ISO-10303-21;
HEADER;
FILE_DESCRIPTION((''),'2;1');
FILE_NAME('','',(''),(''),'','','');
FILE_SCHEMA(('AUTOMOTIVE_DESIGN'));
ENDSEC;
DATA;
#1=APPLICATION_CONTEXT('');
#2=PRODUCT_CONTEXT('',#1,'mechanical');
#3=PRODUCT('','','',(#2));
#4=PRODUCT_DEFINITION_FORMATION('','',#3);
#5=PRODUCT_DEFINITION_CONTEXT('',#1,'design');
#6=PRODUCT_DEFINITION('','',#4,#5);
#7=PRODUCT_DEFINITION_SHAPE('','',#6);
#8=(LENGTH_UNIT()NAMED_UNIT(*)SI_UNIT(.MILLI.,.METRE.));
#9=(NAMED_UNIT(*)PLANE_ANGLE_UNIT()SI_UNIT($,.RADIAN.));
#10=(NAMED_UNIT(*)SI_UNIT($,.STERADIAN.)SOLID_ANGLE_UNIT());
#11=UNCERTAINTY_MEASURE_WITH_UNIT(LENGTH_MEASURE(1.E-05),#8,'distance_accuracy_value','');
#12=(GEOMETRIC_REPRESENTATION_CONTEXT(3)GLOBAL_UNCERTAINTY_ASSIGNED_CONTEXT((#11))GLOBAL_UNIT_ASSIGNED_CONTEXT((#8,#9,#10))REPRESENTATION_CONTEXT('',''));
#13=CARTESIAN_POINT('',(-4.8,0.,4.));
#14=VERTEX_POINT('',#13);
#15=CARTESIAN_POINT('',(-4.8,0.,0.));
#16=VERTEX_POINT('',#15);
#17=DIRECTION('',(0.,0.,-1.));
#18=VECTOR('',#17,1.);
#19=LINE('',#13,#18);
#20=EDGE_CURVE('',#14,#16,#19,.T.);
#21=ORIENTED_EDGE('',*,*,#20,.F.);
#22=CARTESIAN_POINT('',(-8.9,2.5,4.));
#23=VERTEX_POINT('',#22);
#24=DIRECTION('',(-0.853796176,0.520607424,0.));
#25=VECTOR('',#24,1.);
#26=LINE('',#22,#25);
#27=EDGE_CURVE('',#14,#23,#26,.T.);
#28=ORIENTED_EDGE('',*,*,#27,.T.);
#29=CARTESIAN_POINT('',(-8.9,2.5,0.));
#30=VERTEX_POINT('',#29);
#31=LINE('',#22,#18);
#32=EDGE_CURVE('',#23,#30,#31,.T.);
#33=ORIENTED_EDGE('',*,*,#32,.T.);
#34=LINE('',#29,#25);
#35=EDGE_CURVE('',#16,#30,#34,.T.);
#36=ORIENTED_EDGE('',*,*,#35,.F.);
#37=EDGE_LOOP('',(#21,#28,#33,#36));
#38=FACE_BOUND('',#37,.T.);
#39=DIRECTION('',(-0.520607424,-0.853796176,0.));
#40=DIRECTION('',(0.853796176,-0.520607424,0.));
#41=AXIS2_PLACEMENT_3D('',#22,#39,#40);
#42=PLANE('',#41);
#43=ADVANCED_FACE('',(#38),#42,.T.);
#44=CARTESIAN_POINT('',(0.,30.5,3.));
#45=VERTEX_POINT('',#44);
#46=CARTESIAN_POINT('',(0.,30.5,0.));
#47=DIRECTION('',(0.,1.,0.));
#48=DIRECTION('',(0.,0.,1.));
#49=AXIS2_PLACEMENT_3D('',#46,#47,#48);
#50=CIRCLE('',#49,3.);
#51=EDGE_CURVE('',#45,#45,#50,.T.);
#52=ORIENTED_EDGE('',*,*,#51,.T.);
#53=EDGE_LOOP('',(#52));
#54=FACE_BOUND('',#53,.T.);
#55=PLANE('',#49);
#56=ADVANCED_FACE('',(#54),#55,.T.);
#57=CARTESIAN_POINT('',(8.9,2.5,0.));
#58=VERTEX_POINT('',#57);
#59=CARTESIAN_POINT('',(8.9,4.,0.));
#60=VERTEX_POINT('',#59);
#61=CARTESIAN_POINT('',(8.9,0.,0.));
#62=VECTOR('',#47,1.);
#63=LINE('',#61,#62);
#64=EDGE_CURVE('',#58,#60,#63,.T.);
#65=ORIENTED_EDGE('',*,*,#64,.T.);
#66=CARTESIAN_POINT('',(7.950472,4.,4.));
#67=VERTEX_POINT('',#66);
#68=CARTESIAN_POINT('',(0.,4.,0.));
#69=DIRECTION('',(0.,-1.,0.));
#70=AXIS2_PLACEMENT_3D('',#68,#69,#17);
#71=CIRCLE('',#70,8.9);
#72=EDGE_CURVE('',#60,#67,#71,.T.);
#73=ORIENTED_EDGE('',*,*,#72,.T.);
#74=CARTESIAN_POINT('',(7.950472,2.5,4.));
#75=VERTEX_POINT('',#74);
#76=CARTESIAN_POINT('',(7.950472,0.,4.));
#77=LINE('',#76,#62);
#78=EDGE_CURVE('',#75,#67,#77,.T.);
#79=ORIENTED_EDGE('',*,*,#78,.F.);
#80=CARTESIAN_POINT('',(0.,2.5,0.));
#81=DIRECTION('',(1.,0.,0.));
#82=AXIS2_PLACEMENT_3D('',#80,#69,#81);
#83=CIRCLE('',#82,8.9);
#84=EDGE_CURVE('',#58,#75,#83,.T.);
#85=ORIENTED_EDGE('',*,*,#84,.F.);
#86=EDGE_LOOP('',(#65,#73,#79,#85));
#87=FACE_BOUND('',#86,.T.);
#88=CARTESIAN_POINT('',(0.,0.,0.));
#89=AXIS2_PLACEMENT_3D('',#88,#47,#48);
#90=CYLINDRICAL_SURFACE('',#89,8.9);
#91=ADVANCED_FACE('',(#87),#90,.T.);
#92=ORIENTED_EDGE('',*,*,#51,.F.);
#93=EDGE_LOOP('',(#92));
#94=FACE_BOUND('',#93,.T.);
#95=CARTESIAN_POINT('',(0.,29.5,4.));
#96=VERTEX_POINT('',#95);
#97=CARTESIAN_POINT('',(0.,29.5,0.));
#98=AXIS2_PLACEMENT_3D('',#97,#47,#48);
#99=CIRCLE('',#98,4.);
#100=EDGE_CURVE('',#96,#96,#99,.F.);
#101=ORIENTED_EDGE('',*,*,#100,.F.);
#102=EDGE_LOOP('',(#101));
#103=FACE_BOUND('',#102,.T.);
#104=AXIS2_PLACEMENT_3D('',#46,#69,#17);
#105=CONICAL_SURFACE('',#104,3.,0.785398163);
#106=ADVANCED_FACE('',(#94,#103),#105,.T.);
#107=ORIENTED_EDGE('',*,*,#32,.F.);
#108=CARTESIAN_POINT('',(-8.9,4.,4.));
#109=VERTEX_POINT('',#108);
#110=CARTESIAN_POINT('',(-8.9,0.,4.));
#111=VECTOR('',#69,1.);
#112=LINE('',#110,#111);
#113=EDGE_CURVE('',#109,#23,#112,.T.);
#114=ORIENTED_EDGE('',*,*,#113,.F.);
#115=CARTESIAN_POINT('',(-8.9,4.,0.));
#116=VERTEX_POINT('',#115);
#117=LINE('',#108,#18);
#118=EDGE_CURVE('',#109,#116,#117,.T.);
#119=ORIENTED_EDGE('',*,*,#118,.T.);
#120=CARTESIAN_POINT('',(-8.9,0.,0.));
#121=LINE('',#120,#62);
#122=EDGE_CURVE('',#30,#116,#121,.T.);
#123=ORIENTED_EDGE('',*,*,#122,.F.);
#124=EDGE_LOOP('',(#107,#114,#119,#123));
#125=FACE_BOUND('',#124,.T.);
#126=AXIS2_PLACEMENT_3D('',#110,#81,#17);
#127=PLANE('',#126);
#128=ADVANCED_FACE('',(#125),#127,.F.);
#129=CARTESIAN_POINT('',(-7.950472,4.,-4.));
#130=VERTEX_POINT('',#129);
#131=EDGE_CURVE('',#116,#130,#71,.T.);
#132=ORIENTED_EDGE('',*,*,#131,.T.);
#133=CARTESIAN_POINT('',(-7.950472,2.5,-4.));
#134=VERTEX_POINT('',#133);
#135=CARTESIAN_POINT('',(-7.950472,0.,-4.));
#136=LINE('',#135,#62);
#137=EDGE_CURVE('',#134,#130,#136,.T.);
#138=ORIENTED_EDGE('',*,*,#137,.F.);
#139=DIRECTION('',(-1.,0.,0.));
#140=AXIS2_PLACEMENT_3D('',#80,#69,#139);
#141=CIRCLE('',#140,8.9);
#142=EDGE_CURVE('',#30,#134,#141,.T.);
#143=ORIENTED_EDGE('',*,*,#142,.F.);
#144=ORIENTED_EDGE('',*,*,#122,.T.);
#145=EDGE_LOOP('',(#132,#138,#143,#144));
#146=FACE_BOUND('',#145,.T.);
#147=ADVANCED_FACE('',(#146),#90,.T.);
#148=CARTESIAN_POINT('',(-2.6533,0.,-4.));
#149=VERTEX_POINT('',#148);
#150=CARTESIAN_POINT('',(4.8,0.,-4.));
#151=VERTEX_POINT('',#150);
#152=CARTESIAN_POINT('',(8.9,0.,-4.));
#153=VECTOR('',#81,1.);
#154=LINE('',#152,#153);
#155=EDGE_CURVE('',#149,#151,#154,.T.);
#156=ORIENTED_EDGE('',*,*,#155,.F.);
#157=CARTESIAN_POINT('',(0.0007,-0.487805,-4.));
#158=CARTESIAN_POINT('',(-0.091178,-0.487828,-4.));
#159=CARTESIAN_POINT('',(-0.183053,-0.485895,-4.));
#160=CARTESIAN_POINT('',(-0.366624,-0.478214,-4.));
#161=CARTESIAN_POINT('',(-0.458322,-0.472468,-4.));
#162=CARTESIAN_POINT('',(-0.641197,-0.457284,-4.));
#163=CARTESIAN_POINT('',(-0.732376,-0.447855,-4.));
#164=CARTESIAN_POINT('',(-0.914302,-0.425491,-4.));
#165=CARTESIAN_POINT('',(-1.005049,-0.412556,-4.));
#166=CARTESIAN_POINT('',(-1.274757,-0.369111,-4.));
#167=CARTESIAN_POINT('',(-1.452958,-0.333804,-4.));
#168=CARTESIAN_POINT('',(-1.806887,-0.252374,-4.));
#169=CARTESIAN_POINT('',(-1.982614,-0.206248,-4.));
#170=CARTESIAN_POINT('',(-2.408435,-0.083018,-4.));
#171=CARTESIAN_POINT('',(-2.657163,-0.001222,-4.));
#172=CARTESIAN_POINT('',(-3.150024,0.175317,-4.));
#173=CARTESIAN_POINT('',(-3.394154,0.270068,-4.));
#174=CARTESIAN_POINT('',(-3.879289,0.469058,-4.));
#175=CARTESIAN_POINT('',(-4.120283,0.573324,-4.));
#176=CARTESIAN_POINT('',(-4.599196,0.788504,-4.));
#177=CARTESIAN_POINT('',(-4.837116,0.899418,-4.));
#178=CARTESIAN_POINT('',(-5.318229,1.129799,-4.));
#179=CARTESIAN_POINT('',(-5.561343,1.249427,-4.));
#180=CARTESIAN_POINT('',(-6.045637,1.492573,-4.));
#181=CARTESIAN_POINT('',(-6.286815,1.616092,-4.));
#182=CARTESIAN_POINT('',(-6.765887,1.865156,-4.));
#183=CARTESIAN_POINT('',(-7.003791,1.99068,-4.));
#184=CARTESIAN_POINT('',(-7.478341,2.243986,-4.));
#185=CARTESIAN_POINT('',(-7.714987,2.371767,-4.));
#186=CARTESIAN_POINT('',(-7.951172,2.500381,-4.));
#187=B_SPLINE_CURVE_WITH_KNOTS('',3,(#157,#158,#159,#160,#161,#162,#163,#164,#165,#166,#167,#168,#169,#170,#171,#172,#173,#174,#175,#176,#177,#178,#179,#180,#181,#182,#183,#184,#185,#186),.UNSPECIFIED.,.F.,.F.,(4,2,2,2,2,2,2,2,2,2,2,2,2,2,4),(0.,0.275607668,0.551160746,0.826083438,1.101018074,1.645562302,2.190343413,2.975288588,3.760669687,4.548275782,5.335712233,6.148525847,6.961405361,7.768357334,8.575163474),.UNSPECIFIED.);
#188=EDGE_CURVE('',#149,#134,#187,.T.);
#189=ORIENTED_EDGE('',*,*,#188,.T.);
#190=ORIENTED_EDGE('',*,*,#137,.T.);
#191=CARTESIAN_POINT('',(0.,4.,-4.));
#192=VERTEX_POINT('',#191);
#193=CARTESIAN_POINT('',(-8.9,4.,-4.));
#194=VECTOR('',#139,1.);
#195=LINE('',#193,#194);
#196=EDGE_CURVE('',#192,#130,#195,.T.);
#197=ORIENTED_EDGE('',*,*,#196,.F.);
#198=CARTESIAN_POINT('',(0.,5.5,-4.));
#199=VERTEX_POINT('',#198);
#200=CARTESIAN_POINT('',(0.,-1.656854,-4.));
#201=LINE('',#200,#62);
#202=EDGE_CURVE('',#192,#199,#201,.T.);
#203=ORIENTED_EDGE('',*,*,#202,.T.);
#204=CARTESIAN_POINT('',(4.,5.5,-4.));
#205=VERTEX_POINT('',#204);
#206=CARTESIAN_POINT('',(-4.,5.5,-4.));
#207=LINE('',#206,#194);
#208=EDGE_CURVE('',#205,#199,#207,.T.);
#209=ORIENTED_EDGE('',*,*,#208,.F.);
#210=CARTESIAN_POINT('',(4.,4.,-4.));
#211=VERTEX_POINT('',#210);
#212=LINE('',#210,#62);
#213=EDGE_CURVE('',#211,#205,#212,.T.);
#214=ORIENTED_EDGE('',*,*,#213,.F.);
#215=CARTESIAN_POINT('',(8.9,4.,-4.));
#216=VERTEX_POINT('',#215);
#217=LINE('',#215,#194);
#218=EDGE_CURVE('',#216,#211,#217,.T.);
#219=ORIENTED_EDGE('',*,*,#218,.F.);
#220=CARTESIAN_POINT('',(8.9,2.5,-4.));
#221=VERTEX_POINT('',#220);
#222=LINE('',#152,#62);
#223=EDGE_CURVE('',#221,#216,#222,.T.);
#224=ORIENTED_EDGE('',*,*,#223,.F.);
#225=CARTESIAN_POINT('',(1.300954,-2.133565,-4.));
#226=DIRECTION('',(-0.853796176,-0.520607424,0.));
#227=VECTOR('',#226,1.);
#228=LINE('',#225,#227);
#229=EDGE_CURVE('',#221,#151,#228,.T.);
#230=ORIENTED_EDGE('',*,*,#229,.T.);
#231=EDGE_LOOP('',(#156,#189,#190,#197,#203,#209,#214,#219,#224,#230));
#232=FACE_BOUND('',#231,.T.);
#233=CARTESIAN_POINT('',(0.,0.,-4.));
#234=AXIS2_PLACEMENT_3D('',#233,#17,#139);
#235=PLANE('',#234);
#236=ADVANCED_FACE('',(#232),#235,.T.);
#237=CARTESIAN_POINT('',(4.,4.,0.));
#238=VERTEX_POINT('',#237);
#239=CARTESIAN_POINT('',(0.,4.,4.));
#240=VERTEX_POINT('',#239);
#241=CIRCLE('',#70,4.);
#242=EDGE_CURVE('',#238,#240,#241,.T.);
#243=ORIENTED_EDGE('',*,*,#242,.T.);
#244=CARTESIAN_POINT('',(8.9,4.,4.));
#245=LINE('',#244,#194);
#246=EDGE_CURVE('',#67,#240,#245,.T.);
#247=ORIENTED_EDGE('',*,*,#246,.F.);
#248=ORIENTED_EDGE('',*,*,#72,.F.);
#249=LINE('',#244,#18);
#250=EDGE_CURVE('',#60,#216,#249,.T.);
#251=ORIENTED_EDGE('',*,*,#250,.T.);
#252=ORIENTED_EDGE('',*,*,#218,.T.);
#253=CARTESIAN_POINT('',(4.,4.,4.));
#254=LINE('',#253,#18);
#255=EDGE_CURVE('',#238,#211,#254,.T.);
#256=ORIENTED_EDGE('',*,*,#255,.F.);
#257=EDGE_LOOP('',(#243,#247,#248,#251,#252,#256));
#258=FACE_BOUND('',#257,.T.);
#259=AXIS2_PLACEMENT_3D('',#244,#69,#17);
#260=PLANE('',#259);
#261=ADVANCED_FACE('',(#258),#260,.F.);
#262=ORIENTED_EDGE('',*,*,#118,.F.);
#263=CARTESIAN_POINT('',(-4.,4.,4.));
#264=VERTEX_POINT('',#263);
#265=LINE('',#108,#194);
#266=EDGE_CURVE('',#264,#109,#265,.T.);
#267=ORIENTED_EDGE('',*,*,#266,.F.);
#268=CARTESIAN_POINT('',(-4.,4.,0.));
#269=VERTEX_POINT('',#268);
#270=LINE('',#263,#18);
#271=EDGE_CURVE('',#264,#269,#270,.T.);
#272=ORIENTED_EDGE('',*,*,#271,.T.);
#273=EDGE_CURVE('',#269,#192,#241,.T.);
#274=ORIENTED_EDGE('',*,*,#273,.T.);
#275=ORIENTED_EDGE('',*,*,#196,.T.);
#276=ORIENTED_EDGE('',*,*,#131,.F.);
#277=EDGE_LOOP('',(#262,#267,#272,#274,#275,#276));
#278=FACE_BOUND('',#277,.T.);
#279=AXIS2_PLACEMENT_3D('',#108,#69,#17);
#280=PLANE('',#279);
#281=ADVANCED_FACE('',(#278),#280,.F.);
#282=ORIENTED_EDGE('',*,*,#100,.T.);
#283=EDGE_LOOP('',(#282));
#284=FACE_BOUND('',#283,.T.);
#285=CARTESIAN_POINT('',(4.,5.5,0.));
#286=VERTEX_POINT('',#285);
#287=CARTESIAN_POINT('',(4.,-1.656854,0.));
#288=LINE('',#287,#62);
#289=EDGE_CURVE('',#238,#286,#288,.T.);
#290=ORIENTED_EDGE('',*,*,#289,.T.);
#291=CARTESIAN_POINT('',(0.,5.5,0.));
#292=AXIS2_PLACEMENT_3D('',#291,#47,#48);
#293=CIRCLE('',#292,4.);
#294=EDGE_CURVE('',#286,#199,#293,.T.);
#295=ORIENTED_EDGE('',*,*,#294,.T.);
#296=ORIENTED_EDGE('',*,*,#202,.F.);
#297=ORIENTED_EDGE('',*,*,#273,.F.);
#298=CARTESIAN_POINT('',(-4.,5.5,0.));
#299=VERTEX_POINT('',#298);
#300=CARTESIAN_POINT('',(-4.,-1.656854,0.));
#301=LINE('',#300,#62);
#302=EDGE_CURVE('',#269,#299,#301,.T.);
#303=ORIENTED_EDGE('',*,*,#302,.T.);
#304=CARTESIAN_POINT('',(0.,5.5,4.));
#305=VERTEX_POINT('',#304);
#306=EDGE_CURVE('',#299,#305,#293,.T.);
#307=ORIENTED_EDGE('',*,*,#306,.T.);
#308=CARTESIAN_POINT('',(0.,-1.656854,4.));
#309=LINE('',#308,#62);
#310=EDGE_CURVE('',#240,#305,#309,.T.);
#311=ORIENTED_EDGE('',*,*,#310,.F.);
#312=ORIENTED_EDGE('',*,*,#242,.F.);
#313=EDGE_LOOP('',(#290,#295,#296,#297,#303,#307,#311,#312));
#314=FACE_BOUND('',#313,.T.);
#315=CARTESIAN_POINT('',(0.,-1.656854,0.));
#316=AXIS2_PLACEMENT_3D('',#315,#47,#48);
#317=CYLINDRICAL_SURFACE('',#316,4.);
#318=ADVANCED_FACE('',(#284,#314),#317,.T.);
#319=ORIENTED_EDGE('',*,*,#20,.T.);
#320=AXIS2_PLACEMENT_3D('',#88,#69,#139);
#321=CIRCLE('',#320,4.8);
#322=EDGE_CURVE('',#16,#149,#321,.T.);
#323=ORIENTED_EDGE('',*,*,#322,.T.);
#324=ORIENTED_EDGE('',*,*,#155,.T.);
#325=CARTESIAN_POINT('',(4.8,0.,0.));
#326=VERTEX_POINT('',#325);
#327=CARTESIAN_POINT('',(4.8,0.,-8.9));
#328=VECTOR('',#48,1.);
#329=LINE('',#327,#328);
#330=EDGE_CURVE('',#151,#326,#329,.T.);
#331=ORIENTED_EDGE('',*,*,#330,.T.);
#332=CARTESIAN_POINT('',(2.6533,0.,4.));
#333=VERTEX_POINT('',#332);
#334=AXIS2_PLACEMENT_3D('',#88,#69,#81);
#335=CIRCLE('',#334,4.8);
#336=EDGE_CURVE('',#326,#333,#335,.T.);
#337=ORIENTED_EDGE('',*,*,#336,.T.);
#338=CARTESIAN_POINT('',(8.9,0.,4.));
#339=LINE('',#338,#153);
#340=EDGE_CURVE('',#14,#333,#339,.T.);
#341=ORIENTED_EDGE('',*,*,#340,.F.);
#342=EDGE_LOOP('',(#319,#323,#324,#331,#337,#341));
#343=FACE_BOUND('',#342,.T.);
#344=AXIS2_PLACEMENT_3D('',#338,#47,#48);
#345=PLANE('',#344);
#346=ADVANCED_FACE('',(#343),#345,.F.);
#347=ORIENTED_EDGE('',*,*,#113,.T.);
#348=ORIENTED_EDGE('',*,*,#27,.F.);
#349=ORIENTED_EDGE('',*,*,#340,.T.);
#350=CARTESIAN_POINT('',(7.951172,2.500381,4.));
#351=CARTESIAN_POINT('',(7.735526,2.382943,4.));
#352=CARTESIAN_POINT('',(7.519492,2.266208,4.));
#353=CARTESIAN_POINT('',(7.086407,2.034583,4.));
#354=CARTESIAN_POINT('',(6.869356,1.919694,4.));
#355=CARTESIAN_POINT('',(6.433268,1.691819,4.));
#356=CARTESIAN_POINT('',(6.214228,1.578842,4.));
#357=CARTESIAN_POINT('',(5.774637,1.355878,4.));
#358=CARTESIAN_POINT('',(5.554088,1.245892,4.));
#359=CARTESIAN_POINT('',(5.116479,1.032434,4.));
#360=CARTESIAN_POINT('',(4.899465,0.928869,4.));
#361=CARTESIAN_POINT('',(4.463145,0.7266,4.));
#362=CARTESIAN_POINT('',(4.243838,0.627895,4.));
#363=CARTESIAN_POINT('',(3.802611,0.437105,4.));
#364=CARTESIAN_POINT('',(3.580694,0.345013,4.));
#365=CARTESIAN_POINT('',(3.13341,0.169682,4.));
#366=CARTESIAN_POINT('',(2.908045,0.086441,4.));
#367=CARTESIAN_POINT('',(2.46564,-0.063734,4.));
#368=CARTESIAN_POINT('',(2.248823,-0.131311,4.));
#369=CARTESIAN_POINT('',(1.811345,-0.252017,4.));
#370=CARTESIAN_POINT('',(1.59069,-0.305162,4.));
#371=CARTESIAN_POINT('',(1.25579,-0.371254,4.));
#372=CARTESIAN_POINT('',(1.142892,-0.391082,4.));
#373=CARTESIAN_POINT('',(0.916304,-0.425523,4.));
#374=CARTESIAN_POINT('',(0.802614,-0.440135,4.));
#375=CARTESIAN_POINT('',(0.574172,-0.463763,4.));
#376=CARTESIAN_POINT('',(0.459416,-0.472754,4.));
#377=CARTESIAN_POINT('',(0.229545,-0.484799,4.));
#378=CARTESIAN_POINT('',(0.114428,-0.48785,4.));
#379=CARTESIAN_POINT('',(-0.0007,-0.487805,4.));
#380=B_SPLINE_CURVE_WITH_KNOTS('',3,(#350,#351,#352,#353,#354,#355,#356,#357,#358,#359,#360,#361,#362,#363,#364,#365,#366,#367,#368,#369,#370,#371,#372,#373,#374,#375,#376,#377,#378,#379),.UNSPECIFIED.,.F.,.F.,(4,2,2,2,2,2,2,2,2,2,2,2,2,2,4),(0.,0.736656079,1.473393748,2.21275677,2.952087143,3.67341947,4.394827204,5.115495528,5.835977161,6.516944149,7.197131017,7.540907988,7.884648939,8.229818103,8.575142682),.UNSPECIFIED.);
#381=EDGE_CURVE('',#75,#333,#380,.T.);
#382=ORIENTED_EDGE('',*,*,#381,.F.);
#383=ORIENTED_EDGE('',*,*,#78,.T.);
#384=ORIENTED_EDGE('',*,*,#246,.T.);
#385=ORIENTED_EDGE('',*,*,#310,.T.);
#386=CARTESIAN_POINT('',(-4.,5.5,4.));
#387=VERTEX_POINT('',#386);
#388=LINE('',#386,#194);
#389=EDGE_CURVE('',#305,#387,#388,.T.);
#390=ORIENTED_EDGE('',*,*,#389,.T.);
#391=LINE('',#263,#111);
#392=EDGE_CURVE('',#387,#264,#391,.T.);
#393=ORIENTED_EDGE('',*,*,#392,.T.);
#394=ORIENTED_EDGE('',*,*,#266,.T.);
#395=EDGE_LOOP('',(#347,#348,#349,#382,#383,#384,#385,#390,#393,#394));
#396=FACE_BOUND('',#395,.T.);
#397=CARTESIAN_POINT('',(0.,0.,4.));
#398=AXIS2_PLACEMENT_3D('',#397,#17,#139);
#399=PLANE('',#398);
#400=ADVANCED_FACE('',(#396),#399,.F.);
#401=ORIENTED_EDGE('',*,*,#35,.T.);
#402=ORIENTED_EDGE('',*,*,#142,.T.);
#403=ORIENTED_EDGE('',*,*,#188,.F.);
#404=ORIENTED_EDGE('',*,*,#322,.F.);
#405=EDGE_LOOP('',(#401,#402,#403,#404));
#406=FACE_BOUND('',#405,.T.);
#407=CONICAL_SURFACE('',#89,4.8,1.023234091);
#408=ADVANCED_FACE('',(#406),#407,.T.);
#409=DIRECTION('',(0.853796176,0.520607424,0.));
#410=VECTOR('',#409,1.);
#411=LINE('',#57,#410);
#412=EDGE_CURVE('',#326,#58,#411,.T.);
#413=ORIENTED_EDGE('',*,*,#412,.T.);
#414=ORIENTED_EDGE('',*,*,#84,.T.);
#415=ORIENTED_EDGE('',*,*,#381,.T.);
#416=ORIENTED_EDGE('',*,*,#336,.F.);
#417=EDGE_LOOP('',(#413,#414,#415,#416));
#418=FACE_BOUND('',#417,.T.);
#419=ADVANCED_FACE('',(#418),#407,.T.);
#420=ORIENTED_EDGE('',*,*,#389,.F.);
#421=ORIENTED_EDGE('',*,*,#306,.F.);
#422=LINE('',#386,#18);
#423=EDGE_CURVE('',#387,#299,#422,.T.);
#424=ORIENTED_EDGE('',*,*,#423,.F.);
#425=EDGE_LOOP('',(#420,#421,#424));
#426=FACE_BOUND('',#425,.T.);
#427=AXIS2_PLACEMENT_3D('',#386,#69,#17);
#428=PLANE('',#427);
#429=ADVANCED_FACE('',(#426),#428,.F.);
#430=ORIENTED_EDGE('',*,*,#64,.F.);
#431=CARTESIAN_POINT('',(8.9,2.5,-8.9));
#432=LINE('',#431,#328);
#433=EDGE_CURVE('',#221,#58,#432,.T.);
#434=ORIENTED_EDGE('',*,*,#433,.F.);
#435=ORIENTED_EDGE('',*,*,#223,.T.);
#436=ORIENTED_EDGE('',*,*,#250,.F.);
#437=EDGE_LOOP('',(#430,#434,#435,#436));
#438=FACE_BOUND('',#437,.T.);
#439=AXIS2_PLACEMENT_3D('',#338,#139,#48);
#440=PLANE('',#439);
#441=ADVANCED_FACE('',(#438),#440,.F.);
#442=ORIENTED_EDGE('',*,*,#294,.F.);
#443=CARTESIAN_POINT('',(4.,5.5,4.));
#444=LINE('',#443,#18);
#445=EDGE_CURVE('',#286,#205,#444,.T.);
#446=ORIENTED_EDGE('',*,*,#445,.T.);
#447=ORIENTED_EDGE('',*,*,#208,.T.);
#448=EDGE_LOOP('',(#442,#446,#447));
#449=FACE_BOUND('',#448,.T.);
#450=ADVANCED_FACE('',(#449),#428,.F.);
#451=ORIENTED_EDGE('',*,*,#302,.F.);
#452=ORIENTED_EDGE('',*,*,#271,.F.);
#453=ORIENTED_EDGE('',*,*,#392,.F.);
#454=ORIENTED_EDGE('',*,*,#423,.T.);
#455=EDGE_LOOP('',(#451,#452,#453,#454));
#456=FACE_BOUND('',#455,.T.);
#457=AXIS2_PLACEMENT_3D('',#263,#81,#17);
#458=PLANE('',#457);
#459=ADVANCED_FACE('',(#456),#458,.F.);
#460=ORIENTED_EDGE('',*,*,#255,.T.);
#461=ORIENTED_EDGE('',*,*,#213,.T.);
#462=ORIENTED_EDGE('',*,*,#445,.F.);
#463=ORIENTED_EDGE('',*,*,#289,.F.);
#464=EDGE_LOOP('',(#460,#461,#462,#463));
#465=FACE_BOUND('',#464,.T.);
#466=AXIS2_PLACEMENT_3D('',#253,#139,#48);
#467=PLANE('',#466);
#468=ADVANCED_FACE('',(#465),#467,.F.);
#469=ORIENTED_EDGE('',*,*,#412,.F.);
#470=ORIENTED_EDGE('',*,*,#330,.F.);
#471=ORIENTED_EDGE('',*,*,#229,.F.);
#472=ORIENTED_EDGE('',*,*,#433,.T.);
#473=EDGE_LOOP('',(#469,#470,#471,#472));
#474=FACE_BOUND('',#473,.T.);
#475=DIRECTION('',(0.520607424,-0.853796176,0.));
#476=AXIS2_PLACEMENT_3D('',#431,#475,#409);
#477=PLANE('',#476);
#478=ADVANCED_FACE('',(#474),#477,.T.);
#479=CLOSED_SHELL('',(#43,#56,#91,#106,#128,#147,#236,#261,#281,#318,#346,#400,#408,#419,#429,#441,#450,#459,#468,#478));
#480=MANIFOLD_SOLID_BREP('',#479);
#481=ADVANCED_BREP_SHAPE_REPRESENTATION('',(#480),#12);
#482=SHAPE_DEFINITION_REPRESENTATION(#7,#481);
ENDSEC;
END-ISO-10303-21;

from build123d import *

# Parameters (mm, degrees)
EXTRUDE_1_DEPTH     = 4
CUT_EXTRUDE_1_DEPTH = 1.5
SKETCH_2_R          = 4
EXTRUDE_2_DEPTH     = 25
CUT_EXTRUDE_2_DEPTH = 5
CHAMFER_2_SIZE      = 1


with BuildPart() as part:
    # Эскиз1 → Бобышка-Вытянуть1 (new body, symmetric)
    with BuildSketch(Plane.XY):
        Polygon((8.9, 0), (-8.9, 0), (-8.9, 4), (-4, 4), (-4, 5.5), (4, 5.5), (4, 4), (8.9, 4), align=None)
    extrude(amount=EXTRUDE_1_DEPTH, both=True)

    # Эскиз3 → Вырез-Вытянуть1 (cut)
    with BuildSketch(Plane(origin=(0, 5.5, 0), x_dir=(1, 0, 0), z_dir=(0, 1, 0))):
        with BuildLine():
            Line((-4, 0), (-4, 4))
            Line((-4, 4), (0, 4))
            ThreePointArc((0, 4), (-2.828427125, 2.828427125), (-4, 0))
        make_face()
        with BuildLine():
            Line((0, -4), (4, -4))
            Line((4, -4), (4, 0))
            ThreePointArc((4, 0), (2.828427125, -2.828427125), (0, -4))
        make_face()
    extrude(amount=-CUT_EXTRUDE_1_DEPTH, mode=Mode.SUBTRACT)

    # Эскиз2 → Бобышка-Вытянуть2 (add)
    with BuildSketch(Plane(origin=(0, 5.5, 0), x_dir=(1, 0, 0), z_dir=(0, 1, 0))):
        with Locations(Location((0, 0, 0), (0, 0, 270))):  # turned: the seam where the file's is
            Circle(SKETCH_2_R)
    extrude(amount=EXTRUDE_2_DEPTH)

    # Эскиз4 → Вырез-Вытянуть2 (cut, through all)
    with BuildSketch(Plane(origin=(0, 4, 0), x_dir=(1, 0, 0), z_dir=(0, 1, 0))):
        with BuildLine():
            Line((-7.950471684, 4), (-8.9, 4))
            Line((-8.9, 4), (-8.9, 0))
            ThreePointArc((-8.9, 0), (-8.659364815, 2.055578022), (-7.950471684, 4))
        make_face()
        with BuildLine():
            Line((7.950471684, -4), (8.9, -4))
            Line((8.9, -4), (8.9, 0))
            ThreePointArc((8.9, 0), (8.659364815, -2.055578022), (7.950471684, -4))
        make_face()
    extrude(amount=-CUT_EXTRUDE_2_DEPTH, mode=Mode.SUBTRACT)

    # Вырез-По траектории1: sweep along a path in Эскиз6
    with BuildLine(Plane.XZ) as sweep_1_path:
        Line((0, -8.9), (8.9, -8.9))
        Line((8.9, -8.9), (8.9, 0))
        ThreePointArc((8.9, 0), (6.293250353, 6.293250353), (0, 8.9))
        Line((0, 8.9), (-8.9, 8.9))
        Line((-8.9, 8.9), (-8.9, 0))
        ThreePointArc((-8.9, 0), (-6.293250353, -6.293250353), (0, -8.9))
    # Эскиз5 → Вырез-По траектории1 (sweep, cut)
    with BuildSketch(Plane.XY.offset(4)):
        Polygon((-8.9, 2.5), (-4.8, 0), (-8.9, 0), align=None)
    sweep(path=sweep_1_path.line, transition=Transition.RIGHT, mode=Mode.SUBTRACT)

    # Фаска2
    chamfer_2_edges = [part.edges().sort_by_distance(p)[0] for p in [
        (0, 30.5, -4),
    ]]
    chamfer(chamfer_2_edges, length=CHAMFER_2_SIZE)


solid = part.part
